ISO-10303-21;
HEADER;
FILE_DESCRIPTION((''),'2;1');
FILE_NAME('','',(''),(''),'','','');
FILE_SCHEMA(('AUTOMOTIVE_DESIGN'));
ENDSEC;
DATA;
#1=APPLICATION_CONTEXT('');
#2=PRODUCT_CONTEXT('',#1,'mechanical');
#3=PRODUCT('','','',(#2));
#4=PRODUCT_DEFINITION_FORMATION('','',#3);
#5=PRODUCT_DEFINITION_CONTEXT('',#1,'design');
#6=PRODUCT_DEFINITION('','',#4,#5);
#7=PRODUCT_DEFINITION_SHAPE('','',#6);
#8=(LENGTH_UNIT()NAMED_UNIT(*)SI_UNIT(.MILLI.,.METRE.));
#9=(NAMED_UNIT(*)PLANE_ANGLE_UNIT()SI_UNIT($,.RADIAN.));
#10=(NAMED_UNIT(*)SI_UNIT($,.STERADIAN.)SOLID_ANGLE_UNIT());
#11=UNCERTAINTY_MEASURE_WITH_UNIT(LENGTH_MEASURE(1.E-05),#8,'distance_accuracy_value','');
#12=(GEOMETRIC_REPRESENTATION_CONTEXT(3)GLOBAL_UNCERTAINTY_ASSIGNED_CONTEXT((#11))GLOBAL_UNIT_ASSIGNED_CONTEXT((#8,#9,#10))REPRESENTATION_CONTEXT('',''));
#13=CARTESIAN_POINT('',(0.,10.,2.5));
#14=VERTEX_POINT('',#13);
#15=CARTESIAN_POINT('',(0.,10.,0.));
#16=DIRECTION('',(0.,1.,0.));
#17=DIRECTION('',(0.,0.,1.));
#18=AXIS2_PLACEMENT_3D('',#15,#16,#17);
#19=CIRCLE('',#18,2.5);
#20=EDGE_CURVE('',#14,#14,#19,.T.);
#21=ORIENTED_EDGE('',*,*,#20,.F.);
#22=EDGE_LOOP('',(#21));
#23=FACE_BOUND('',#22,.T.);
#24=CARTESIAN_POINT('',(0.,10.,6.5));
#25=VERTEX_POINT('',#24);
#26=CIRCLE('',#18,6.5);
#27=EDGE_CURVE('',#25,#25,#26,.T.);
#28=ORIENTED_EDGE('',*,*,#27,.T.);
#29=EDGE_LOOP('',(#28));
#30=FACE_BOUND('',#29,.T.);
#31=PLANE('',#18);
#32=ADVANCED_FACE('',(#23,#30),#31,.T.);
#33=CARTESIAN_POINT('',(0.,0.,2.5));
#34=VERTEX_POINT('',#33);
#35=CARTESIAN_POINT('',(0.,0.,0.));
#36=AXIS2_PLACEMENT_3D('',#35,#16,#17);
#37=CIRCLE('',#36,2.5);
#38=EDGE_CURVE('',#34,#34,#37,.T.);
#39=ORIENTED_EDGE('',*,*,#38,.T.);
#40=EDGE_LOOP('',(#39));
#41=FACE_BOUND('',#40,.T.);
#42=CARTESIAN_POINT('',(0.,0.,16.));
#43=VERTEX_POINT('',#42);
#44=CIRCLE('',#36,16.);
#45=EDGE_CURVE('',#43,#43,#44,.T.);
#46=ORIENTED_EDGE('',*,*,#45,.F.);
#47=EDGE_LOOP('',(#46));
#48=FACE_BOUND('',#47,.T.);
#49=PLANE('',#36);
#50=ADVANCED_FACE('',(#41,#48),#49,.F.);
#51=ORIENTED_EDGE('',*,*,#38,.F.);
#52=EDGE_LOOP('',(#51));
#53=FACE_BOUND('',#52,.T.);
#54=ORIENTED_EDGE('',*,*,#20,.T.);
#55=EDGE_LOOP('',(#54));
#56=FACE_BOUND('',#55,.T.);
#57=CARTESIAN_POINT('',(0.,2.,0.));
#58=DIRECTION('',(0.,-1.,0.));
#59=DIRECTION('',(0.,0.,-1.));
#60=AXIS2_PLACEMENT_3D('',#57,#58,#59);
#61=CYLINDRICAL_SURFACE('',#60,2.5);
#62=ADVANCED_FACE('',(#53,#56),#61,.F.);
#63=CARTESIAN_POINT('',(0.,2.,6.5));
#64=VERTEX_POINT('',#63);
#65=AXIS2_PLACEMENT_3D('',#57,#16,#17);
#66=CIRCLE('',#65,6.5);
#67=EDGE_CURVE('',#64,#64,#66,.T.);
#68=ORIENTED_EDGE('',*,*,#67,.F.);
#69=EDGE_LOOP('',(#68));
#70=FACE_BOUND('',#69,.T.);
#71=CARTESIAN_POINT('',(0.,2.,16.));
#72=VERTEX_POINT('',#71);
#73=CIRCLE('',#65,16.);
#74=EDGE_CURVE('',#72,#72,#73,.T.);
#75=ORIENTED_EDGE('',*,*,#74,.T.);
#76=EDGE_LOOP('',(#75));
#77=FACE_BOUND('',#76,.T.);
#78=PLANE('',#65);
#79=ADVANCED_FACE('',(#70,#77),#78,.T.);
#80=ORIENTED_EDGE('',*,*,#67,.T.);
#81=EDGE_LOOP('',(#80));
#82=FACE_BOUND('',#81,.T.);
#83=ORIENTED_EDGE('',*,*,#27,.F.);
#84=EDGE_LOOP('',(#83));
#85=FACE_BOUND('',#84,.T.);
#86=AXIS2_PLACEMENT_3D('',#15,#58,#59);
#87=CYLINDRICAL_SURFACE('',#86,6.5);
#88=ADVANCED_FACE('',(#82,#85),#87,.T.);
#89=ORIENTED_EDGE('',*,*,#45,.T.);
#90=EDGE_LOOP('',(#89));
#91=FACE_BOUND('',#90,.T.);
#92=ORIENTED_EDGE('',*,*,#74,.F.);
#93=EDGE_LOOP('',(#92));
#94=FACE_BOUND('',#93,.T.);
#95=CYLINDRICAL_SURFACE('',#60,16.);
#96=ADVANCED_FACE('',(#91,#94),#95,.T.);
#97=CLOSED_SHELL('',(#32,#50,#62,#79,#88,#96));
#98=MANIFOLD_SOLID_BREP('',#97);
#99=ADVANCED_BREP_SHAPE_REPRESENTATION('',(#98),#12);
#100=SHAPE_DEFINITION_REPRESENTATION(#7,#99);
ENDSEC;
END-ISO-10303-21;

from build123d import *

# Parameters (mm, degrees)
SKETCH_2_R      = 16
SKETCH_2_R_2    = 2.5
EXTRUDE_1_DEPTH = 2
SKETCH_3_R      = 6.5
SKETCH_3_R_2    = 2.5
EXTRUDE_2_DEPTH = 8


with BuildPart() as part:
    # Эскиз2 → Бобышка-Вытянуть1 (new body)
    with BuildSketch(Plane(origin=(0, 0, 0), x_dir=(1, 0, 0), z_dir=(0, 1, 0))):
        Circle(SKETCH_2_R)
        Circle(SKETCH_2_R_2, mode=Mode.SUBTRACT)
    extrude(amount=EXTRUDE_1_DEPTH)

    # Эскиз3 → Бобышка-Вытянуть2 (add)
    with BuildSketch(Plane(origin=(0, 2, 0), x_dir=(1, 0, 0), z_dir=(0, 1, 0))):
        Circle(SKETCH_3_R)
        Circle(SKETCH_3_R_2, mode=Mode.SUBTRACT)
    extrude(amount=EXTRUDE_2_DEPTH)


solid = part.part
